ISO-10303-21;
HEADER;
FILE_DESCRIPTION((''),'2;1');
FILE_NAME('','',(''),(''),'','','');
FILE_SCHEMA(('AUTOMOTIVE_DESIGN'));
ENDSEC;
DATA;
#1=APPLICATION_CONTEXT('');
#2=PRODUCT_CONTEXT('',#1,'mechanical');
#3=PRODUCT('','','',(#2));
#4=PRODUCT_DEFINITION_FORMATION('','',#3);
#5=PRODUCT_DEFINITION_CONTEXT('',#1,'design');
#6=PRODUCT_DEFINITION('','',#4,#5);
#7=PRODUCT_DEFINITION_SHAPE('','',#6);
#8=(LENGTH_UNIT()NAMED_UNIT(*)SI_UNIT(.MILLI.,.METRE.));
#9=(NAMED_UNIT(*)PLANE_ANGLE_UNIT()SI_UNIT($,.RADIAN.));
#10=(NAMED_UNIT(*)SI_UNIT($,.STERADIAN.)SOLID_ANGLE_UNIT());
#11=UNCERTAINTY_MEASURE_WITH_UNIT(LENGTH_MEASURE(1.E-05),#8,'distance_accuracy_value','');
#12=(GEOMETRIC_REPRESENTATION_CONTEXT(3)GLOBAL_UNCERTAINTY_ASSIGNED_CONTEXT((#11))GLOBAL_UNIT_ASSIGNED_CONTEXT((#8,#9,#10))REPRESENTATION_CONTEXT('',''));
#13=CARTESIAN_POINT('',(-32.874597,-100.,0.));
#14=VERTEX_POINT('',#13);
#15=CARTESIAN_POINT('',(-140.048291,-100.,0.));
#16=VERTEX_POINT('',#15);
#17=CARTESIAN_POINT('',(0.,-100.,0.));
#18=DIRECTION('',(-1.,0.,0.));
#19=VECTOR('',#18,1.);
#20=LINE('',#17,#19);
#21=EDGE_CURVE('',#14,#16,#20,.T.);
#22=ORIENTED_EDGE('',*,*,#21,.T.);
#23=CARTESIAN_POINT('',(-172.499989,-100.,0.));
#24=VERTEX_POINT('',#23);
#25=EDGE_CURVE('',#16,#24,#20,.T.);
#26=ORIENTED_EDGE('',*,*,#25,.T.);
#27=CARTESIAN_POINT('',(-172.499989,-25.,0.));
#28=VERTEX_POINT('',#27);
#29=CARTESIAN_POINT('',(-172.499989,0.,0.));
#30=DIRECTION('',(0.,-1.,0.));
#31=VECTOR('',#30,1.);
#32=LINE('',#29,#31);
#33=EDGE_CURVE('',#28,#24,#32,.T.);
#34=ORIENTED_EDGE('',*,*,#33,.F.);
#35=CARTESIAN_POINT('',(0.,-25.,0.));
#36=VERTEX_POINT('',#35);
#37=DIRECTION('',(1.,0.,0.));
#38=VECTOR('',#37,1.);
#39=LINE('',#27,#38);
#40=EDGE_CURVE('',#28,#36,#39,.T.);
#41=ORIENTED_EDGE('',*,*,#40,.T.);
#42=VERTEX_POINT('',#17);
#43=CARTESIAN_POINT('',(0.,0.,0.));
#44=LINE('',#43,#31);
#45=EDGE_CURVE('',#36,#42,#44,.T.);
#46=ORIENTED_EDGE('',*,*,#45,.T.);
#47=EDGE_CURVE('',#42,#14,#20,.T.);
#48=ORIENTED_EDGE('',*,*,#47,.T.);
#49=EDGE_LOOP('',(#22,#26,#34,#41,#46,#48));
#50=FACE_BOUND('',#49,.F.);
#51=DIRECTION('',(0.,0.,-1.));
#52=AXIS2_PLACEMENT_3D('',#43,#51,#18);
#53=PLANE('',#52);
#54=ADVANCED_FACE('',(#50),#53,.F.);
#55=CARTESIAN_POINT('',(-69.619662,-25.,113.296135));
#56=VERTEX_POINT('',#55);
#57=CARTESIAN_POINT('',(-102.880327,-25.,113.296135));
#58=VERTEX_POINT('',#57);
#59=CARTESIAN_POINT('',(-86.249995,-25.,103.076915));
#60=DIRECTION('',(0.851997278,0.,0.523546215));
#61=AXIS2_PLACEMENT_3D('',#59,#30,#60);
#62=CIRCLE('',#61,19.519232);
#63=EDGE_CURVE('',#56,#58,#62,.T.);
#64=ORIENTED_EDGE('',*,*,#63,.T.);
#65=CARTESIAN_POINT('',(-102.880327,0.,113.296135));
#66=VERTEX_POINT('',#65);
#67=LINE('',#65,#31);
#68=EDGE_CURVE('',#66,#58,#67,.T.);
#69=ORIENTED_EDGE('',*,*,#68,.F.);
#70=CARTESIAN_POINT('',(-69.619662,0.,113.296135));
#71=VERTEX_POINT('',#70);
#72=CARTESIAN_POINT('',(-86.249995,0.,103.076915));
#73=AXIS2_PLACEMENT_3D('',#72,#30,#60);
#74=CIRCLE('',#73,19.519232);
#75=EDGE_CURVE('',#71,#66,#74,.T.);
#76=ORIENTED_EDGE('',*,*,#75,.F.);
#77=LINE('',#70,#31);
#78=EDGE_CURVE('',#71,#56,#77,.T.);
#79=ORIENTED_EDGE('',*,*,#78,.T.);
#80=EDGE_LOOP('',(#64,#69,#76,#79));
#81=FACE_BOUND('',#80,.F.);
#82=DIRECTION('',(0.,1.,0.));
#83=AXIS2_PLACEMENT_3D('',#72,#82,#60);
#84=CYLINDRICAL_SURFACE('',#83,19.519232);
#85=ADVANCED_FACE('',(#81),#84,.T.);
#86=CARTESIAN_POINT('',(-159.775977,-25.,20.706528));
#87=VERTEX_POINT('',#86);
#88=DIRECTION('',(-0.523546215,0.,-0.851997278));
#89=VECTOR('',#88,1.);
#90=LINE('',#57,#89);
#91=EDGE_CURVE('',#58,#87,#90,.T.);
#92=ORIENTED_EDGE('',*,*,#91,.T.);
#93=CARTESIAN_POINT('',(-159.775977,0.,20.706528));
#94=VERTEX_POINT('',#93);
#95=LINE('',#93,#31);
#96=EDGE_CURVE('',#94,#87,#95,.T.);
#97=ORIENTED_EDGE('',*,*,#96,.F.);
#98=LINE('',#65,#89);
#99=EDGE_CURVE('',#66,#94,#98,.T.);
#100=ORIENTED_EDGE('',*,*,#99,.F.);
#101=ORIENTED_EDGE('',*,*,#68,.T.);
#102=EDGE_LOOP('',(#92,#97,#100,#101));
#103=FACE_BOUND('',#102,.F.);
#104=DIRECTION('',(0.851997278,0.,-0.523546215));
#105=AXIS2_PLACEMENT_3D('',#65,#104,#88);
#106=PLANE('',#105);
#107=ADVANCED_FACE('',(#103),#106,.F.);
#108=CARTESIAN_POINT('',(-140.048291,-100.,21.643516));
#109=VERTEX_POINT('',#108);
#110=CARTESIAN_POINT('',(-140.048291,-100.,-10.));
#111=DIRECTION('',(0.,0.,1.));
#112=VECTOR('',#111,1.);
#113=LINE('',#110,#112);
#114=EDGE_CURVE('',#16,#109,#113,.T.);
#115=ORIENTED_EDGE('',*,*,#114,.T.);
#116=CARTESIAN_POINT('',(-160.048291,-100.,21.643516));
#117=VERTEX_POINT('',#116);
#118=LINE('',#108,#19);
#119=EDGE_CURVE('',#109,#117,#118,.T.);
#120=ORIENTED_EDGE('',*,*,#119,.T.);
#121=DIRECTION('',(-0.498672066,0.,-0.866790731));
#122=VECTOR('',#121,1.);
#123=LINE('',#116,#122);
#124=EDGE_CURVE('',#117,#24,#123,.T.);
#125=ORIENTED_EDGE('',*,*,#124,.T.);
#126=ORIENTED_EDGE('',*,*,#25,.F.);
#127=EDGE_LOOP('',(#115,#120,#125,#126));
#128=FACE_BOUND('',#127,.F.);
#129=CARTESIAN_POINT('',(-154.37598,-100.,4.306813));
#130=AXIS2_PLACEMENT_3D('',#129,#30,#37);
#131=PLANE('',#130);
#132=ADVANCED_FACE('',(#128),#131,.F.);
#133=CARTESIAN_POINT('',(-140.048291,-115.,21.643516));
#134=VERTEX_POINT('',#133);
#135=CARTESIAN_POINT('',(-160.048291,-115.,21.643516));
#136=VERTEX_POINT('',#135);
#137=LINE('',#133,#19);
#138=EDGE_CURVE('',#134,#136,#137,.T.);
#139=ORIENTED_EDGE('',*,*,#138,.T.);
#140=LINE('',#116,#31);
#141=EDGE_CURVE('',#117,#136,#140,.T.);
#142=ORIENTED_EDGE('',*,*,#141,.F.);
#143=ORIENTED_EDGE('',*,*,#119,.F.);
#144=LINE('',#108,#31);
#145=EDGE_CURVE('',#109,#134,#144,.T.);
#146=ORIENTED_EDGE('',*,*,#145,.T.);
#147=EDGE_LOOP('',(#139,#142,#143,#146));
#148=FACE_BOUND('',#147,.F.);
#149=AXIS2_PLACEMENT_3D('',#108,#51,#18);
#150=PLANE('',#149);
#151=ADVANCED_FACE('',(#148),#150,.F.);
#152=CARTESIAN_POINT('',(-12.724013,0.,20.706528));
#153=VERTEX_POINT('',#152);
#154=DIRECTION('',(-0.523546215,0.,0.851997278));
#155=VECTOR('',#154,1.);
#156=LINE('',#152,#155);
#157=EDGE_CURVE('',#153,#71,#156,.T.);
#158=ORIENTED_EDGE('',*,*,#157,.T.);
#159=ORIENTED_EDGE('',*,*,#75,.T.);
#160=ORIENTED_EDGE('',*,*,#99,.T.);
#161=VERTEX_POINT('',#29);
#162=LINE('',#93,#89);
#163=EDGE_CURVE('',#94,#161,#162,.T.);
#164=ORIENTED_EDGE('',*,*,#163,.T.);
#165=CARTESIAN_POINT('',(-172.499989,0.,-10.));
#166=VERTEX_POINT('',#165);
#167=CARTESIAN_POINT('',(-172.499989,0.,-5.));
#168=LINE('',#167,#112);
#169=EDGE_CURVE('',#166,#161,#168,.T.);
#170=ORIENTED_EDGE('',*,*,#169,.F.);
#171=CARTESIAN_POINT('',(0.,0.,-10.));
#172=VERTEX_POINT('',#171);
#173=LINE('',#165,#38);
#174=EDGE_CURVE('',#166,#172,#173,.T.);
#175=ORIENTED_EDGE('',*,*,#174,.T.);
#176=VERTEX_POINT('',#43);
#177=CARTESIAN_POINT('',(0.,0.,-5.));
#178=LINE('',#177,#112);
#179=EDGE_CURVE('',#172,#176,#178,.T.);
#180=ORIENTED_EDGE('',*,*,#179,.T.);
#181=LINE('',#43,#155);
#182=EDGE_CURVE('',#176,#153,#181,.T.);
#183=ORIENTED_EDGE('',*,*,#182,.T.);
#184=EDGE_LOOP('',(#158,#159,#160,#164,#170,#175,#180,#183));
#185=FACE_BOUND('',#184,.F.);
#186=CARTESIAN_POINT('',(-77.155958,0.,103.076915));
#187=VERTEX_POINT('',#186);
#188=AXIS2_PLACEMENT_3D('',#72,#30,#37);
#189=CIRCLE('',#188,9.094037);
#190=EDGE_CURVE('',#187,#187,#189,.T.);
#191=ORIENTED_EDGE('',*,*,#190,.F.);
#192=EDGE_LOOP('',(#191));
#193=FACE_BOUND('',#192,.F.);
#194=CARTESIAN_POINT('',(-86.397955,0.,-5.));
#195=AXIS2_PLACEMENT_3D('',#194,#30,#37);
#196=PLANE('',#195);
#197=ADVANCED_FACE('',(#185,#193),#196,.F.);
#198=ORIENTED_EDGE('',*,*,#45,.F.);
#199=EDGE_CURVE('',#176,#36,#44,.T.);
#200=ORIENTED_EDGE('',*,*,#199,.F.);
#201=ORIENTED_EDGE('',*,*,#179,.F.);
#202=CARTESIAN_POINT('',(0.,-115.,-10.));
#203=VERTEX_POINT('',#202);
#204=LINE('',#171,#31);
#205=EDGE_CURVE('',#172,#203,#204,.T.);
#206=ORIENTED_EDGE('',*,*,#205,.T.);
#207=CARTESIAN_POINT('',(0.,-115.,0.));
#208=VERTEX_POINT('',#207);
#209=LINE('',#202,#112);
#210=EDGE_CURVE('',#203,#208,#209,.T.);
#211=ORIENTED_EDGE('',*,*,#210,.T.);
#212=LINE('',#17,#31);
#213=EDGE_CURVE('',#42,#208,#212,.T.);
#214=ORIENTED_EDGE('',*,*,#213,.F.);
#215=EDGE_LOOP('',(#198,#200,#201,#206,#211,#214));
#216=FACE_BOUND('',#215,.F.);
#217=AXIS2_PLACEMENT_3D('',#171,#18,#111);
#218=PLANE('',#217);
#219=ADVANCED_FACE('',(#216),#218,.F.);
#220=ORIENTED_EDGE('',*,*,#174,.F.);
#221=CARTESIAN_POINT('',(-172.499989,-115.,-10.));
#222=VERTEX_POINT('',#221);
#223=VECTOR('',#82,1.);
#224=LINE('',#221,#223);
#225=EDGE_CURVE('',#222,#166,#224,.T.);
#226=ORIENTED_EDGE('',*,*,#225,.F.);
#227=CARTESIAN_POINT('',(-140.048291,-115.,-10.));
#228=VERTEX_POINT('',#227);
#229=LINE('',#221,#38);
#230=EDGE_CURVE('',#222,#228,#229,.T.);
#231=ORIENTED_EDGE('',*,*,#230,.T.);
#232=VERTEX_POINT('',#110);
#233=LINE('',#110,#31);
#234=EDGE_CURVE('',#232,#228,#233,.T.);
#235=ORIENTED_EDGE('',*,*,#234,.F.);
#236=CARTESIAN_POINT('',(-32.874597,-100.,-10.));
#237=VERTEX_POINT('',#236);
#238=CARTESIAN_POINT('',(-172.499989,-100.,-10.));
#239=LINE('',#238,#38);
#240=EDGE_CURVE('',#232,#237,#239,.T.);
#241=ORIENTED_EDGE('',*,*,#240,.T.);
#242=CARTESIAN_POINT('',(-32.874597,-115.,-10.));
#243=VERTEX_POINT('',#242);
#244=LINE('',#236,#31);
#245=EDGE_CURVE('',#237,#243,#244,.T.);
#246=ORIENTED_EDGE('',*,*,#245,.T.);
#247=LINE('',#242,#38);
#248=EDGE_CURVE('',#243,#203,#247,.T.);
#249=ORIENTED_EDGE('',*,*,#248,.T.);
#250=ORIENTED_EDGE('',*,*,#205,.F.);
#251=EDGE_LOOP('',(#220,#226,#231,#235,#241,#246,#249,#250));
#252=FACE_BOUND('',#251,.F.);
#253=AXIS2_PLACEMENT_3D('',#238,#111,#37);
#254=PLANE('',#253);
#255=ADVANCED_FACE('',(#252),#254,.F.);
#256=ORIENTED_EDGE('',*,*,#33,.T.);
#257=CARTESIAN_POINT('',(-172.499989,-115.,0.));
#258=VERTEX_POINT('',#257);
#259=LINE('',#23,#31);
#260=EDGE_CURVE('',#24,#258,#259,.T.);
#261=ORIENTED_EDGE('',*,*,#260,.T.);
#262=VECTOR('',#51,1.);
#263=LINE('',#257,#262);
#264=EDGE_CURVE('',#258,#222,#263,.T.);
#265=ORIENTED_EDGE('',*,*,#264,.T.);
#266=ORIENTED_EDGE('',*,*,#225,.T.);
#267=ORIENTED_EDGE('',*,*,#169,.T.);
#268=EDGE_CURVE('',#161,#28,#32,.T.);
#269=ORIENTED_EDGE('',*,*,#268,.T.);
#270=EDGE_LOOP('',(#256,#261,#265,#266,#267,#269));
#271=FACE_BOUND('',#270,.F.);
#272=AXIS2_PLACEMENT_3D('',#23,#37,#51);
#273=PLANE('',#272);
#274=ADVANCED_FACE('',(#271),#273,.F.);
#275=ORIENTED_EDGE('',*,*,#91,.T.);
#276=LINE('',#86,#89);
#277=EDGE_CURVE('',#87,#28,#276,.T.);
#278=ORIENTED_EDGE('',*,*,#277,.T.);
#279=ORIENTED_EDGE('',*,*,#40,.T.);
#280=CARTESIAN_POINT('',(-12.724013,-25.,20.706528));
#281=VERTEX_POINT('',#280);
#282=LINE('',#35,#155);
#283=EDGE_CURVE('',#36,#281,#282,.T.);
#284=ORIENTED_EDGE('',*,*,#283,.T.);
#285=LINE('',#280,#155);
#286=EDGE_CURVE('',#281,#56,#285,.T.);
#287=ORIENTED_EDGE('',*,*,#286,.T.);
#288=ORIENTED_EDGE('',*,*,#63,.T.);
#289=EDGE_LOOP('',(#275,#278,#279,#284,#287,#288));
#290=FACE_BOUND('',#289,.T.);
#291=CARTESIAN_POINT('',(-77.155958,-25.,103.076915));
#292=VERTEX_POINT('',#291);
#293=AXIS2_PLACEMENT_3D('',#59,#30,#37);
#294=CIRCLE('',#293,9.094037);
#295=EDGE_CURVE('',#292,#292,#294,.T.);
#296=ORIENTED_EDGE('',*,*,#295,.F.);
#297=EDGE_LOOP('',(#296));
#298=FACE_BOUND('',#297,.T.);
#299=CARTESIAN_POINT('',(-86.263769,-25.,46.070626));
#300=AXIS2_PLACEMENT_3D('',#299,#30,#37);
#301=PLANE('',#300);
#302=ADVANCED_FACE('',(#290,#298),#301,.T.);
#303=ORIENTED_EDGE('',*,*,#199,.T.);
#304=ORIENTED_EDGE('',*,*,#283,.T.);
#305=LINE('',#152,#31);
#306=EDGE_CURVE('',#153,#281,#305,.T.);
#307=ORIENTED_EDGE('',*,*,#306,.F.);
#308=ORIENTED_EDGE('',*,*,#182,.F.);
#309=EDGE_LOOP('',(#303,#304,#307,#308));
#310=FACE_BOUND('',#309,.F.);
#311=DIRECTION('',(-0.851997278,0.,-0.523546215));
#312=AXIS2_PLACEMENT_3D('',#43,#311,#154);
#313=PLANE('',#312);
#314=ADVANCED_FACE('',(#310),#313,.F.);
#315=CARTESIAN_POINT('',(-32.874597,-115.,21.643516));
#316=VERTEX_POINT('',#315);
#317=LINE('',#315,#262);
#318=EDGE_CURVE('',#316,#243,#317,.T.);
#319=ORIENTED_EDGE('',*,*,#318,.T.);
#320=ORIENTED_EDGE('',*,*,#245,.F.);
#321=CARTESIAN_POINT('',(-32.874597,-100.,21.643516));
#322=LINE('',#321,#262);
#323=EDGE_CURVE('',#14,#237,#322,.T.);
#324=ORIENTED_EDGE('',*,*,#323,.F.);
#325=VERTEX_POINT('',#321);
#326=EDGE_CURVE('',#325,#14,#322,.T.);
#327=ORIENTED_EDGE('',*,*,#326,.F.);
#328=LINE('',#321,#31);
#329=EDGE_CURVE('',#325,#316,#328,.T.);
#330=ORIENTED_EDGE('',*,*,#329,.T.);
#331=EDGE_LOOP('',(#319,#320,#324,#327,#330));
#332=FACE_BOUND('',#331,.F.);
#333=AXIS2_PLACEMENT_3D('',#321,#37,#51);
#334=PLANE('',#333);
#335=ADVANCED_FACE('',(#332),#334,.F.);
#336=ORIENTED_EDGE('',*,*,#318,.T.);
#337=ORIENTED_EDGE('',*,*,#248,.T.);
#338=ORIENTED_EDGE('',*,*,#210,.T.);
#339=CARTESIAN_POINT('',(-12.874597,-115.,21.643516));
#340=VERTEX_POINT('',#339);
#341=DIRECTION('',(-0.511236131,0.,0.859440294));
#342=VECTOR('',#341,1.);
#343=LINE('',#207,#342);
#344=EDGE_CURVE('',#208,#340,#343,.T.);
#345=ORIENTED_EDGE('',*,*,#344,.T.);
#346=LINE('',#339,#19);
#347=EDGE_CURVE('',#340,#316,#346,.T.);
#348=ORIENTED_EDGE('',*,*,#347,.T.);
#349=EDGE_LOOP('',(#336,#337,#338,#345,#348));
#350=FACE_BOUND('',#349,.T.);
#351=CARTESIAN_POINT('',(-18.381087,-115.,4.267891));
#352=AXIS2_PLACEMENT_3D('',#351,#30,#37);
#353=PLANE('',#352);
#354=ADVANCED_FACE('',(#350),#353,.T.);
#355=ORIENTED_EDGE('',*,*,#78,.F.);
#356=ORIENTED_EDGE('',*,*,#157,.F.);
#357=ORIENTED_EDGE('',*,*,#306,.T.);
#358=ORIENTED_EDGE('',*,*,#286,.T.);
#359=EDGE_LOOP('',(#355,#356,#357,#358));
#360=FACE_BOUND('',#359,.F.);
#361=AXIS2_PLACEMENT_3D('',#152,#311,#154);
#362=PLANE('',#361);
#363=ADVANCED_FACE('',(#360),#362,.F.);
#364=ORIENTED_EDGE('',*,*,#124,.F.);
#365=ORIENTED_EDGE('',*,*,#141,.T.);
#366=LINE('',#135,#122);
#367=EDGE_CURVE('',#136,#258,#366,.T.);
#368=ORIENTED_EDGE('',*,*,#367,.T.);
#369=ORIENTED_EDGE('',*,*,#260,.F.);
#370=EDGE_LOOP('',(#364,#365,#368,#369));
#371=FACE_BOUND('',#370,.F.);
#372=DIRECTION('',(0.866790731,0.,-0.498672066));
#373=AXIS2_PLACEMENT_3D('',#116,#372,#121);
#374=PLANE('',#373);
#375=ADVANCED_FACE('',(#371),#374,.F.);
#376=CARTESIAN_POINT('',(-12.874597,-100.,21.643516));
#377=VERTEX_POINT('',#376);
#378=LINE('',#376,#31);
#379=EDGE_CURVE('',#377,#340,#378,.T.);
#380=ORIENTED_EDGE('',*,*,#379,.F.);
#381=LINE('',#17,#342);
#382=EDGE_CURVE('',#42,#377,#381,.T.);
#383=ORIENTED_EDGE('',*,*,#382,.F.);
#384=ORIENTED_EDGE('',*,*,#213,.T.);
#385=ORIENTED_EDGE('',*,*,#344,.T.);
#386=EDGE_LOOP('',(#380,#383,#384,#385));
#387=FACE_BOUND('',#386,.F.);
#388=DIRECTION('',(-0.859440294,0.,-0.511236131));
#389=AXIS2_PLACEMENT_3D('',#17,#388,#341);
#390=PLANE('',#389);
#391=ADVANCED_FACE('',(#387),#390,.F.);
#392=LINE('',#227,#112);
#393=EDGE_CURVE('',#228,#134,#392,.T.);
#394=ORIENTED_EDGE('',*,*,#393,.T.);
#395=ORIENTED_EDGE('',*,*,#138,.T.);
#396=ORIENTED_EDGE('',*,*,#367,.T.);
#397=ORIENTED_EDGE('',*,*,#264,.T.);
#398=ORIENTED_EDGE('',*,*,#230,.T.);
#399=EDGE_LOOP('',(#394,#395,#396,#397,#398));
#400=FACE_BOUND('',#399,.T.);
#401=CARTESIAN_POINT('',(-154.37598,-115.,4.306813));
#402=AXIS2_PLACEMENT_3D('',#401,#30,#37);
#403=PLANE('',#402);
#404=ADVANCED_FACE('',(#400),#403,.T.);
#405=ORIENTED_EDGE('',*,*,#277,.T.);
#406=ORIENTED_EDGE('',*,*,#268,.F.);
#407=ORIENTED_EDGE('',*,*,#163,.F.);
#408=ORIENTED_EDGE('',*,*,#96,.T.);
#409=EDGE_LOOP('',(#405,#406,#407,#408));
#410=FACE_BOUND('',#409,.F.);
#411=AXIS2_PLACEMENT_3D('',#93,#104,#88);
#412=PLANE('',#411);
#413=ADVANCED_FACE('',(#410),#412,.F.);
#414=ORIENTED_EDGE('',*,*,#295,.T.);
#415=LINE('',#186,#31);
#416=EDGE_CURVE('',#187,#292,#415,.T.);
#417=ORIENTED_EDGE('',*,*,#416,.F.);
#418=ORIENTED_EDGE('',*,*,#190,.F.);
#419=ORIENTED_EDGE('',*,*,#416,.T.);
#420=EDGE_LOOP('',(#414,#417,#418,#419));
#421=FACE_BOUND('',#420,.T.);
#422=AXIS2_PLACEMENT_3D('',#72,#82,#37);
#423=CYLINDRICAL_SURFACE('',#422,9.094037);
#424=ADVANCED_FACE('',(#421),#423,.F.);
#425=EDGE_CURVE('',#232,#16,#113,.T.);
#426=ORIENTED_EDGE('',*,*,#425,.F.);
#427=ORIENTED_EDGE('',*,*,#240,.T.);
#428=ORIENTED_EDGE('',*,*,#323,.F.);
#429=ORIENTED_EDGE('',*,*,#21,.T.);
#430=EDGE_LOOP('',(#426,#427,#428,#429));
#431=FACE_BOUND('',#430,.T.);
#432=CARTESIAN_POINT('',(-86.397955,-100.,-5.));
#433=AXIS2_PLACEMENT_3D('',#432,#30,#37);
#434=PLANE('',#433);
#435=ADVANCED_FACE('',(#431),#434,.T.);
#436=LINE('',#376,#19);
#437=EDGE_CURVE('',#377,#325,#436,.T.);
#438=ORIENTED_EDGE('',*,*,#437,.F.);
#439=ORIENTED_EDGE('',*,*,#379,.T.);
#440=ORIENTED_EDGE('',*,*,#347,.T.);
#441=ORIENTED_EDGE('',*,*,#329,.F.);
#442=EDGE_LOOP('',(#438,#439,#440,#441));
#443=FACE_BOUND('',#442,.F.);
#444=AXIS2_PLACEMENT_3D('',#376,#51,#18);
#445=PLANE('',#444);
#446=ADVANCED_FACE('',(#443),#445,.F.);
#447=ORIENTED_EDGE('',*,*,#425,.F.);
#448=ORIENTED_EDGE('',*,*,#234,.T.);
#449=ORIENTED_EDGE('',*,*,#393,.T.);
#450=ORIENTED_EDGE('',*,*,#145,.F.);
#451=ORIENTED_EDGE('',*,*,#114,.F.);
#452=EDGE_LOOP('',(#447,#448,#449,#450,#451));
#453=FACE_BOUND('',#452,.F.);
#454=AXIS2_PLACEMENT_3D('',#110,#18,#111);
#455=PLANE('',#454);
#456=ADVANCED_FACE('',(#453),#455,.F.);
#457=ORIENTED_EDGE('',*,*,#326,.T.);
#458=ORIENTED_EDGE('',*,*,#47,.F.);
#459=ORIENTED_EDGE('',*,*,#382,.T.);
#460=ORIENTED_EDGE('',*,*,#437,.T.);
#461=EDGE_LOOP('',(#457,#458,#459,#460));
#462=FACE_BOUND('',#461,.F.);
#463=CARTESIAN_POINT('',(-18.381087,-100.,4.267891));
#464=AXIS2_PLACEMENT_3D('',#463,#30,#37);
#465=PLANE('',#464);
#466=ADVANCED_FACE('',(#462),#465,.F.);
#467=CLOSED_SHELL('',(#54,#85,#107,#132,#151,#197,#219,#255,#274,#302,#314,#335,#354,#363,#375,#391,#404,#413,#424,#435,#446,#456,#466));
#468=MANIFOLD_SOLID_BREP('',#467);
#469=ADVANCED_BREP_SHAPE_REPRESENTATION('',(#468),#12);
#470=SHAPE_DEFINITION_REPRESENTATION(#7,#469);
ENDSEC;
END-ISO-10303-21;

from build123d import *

# Parameters (mm, degrees)
F0_R     = 9.0940365485
F1_DEPTH = 25
F0_W     = 105.1995866001
F0_H     = 10
F0_W_2   = 33.5022409036
F0_W_3   = 33.7981618941
F2_DEPTH = 100
F4_DEPTH = 15


with BuildPart() as f1:
    # F0 (on Front) → F1 (new body)
    with BuildSketch(Plane.XZ):
        with BuildLine():
            Line((-138.9977484941, 0), (-33.7981618941, 0))
            Line((-33.7981618941, 0), (-33.7981618941, 20.7065277838))
            Line((-33.7981618941, 20.7065277838), (-12.7240127639, 20.7065277838))
            Line((-12.7240127639, 20.7065277838), (-69.619662283, 113.2961352765))
            ThreePointArc((-69.619662283, 113.2961352765), (-86.2499946989, 122.5961471904), (-102.8803271148, 113.2961352765))
            Line((-102.8803271148, 113.2961352765), (-159.7759766339, 20.7065277838))
            Line((-159.7759766339, 20.7065277838), (-138.9977484941, 20.7065277838))
            Line((-138.9977484941, 20.7065277838), (-138.9977484941, 0))
        make_face()
        with Locations((-86.2499946989, 103.0769153215)):
            Circle(F0_R, mode=Mode.SUBTRACT)
        Polygon((-172.4999893978, 0), (-138.9977484941, 0), (-138.9977484941, 20.7065277838), (-159.7759766339, 20.7065277838), align=None)
        Polygon((-33.7981618941, 0), (0, 0), (-12.7240127639, 20.7065277838), (-33.7981618941, 20.7065277838), align=None)
    extrude(amount=F1_DEPTH)

    # F0 (on Front) → F2 (join)
    with BuildSketch(Plane.XZ):
        with Locations((-86.3979551941, -5)):
            Rectangle(F0_W, F0_H)
        with Locations((-155.748868946, -5)):
            Rectangle(F0_W_2, F0_H)
        with Locations((-16.899080947, -5)):
            Rectangle(F0_W_3, F0_H)
    extrude(amount=F2_DEPTH)

    # F3 (on face) → F4 (join)
    with BuildSketch(Plane.XZ.offset(100)):
        Polygon((-140.0482910872, 21.6435156763), (-160.0482910872, 21.6435156763), (-172.4999893978, 0), (-172.4999893978, -10), (-140.0482910872, -10), align=None)
        Polygon((0, -10), (0, 0), (-12.8745967522, 21.6435156763), (-32.8745967522, 21.6435156763), (-32.8745967522, -10), align=None)
    extrude(amount=F4_DEPTH)


solid = f1.part
